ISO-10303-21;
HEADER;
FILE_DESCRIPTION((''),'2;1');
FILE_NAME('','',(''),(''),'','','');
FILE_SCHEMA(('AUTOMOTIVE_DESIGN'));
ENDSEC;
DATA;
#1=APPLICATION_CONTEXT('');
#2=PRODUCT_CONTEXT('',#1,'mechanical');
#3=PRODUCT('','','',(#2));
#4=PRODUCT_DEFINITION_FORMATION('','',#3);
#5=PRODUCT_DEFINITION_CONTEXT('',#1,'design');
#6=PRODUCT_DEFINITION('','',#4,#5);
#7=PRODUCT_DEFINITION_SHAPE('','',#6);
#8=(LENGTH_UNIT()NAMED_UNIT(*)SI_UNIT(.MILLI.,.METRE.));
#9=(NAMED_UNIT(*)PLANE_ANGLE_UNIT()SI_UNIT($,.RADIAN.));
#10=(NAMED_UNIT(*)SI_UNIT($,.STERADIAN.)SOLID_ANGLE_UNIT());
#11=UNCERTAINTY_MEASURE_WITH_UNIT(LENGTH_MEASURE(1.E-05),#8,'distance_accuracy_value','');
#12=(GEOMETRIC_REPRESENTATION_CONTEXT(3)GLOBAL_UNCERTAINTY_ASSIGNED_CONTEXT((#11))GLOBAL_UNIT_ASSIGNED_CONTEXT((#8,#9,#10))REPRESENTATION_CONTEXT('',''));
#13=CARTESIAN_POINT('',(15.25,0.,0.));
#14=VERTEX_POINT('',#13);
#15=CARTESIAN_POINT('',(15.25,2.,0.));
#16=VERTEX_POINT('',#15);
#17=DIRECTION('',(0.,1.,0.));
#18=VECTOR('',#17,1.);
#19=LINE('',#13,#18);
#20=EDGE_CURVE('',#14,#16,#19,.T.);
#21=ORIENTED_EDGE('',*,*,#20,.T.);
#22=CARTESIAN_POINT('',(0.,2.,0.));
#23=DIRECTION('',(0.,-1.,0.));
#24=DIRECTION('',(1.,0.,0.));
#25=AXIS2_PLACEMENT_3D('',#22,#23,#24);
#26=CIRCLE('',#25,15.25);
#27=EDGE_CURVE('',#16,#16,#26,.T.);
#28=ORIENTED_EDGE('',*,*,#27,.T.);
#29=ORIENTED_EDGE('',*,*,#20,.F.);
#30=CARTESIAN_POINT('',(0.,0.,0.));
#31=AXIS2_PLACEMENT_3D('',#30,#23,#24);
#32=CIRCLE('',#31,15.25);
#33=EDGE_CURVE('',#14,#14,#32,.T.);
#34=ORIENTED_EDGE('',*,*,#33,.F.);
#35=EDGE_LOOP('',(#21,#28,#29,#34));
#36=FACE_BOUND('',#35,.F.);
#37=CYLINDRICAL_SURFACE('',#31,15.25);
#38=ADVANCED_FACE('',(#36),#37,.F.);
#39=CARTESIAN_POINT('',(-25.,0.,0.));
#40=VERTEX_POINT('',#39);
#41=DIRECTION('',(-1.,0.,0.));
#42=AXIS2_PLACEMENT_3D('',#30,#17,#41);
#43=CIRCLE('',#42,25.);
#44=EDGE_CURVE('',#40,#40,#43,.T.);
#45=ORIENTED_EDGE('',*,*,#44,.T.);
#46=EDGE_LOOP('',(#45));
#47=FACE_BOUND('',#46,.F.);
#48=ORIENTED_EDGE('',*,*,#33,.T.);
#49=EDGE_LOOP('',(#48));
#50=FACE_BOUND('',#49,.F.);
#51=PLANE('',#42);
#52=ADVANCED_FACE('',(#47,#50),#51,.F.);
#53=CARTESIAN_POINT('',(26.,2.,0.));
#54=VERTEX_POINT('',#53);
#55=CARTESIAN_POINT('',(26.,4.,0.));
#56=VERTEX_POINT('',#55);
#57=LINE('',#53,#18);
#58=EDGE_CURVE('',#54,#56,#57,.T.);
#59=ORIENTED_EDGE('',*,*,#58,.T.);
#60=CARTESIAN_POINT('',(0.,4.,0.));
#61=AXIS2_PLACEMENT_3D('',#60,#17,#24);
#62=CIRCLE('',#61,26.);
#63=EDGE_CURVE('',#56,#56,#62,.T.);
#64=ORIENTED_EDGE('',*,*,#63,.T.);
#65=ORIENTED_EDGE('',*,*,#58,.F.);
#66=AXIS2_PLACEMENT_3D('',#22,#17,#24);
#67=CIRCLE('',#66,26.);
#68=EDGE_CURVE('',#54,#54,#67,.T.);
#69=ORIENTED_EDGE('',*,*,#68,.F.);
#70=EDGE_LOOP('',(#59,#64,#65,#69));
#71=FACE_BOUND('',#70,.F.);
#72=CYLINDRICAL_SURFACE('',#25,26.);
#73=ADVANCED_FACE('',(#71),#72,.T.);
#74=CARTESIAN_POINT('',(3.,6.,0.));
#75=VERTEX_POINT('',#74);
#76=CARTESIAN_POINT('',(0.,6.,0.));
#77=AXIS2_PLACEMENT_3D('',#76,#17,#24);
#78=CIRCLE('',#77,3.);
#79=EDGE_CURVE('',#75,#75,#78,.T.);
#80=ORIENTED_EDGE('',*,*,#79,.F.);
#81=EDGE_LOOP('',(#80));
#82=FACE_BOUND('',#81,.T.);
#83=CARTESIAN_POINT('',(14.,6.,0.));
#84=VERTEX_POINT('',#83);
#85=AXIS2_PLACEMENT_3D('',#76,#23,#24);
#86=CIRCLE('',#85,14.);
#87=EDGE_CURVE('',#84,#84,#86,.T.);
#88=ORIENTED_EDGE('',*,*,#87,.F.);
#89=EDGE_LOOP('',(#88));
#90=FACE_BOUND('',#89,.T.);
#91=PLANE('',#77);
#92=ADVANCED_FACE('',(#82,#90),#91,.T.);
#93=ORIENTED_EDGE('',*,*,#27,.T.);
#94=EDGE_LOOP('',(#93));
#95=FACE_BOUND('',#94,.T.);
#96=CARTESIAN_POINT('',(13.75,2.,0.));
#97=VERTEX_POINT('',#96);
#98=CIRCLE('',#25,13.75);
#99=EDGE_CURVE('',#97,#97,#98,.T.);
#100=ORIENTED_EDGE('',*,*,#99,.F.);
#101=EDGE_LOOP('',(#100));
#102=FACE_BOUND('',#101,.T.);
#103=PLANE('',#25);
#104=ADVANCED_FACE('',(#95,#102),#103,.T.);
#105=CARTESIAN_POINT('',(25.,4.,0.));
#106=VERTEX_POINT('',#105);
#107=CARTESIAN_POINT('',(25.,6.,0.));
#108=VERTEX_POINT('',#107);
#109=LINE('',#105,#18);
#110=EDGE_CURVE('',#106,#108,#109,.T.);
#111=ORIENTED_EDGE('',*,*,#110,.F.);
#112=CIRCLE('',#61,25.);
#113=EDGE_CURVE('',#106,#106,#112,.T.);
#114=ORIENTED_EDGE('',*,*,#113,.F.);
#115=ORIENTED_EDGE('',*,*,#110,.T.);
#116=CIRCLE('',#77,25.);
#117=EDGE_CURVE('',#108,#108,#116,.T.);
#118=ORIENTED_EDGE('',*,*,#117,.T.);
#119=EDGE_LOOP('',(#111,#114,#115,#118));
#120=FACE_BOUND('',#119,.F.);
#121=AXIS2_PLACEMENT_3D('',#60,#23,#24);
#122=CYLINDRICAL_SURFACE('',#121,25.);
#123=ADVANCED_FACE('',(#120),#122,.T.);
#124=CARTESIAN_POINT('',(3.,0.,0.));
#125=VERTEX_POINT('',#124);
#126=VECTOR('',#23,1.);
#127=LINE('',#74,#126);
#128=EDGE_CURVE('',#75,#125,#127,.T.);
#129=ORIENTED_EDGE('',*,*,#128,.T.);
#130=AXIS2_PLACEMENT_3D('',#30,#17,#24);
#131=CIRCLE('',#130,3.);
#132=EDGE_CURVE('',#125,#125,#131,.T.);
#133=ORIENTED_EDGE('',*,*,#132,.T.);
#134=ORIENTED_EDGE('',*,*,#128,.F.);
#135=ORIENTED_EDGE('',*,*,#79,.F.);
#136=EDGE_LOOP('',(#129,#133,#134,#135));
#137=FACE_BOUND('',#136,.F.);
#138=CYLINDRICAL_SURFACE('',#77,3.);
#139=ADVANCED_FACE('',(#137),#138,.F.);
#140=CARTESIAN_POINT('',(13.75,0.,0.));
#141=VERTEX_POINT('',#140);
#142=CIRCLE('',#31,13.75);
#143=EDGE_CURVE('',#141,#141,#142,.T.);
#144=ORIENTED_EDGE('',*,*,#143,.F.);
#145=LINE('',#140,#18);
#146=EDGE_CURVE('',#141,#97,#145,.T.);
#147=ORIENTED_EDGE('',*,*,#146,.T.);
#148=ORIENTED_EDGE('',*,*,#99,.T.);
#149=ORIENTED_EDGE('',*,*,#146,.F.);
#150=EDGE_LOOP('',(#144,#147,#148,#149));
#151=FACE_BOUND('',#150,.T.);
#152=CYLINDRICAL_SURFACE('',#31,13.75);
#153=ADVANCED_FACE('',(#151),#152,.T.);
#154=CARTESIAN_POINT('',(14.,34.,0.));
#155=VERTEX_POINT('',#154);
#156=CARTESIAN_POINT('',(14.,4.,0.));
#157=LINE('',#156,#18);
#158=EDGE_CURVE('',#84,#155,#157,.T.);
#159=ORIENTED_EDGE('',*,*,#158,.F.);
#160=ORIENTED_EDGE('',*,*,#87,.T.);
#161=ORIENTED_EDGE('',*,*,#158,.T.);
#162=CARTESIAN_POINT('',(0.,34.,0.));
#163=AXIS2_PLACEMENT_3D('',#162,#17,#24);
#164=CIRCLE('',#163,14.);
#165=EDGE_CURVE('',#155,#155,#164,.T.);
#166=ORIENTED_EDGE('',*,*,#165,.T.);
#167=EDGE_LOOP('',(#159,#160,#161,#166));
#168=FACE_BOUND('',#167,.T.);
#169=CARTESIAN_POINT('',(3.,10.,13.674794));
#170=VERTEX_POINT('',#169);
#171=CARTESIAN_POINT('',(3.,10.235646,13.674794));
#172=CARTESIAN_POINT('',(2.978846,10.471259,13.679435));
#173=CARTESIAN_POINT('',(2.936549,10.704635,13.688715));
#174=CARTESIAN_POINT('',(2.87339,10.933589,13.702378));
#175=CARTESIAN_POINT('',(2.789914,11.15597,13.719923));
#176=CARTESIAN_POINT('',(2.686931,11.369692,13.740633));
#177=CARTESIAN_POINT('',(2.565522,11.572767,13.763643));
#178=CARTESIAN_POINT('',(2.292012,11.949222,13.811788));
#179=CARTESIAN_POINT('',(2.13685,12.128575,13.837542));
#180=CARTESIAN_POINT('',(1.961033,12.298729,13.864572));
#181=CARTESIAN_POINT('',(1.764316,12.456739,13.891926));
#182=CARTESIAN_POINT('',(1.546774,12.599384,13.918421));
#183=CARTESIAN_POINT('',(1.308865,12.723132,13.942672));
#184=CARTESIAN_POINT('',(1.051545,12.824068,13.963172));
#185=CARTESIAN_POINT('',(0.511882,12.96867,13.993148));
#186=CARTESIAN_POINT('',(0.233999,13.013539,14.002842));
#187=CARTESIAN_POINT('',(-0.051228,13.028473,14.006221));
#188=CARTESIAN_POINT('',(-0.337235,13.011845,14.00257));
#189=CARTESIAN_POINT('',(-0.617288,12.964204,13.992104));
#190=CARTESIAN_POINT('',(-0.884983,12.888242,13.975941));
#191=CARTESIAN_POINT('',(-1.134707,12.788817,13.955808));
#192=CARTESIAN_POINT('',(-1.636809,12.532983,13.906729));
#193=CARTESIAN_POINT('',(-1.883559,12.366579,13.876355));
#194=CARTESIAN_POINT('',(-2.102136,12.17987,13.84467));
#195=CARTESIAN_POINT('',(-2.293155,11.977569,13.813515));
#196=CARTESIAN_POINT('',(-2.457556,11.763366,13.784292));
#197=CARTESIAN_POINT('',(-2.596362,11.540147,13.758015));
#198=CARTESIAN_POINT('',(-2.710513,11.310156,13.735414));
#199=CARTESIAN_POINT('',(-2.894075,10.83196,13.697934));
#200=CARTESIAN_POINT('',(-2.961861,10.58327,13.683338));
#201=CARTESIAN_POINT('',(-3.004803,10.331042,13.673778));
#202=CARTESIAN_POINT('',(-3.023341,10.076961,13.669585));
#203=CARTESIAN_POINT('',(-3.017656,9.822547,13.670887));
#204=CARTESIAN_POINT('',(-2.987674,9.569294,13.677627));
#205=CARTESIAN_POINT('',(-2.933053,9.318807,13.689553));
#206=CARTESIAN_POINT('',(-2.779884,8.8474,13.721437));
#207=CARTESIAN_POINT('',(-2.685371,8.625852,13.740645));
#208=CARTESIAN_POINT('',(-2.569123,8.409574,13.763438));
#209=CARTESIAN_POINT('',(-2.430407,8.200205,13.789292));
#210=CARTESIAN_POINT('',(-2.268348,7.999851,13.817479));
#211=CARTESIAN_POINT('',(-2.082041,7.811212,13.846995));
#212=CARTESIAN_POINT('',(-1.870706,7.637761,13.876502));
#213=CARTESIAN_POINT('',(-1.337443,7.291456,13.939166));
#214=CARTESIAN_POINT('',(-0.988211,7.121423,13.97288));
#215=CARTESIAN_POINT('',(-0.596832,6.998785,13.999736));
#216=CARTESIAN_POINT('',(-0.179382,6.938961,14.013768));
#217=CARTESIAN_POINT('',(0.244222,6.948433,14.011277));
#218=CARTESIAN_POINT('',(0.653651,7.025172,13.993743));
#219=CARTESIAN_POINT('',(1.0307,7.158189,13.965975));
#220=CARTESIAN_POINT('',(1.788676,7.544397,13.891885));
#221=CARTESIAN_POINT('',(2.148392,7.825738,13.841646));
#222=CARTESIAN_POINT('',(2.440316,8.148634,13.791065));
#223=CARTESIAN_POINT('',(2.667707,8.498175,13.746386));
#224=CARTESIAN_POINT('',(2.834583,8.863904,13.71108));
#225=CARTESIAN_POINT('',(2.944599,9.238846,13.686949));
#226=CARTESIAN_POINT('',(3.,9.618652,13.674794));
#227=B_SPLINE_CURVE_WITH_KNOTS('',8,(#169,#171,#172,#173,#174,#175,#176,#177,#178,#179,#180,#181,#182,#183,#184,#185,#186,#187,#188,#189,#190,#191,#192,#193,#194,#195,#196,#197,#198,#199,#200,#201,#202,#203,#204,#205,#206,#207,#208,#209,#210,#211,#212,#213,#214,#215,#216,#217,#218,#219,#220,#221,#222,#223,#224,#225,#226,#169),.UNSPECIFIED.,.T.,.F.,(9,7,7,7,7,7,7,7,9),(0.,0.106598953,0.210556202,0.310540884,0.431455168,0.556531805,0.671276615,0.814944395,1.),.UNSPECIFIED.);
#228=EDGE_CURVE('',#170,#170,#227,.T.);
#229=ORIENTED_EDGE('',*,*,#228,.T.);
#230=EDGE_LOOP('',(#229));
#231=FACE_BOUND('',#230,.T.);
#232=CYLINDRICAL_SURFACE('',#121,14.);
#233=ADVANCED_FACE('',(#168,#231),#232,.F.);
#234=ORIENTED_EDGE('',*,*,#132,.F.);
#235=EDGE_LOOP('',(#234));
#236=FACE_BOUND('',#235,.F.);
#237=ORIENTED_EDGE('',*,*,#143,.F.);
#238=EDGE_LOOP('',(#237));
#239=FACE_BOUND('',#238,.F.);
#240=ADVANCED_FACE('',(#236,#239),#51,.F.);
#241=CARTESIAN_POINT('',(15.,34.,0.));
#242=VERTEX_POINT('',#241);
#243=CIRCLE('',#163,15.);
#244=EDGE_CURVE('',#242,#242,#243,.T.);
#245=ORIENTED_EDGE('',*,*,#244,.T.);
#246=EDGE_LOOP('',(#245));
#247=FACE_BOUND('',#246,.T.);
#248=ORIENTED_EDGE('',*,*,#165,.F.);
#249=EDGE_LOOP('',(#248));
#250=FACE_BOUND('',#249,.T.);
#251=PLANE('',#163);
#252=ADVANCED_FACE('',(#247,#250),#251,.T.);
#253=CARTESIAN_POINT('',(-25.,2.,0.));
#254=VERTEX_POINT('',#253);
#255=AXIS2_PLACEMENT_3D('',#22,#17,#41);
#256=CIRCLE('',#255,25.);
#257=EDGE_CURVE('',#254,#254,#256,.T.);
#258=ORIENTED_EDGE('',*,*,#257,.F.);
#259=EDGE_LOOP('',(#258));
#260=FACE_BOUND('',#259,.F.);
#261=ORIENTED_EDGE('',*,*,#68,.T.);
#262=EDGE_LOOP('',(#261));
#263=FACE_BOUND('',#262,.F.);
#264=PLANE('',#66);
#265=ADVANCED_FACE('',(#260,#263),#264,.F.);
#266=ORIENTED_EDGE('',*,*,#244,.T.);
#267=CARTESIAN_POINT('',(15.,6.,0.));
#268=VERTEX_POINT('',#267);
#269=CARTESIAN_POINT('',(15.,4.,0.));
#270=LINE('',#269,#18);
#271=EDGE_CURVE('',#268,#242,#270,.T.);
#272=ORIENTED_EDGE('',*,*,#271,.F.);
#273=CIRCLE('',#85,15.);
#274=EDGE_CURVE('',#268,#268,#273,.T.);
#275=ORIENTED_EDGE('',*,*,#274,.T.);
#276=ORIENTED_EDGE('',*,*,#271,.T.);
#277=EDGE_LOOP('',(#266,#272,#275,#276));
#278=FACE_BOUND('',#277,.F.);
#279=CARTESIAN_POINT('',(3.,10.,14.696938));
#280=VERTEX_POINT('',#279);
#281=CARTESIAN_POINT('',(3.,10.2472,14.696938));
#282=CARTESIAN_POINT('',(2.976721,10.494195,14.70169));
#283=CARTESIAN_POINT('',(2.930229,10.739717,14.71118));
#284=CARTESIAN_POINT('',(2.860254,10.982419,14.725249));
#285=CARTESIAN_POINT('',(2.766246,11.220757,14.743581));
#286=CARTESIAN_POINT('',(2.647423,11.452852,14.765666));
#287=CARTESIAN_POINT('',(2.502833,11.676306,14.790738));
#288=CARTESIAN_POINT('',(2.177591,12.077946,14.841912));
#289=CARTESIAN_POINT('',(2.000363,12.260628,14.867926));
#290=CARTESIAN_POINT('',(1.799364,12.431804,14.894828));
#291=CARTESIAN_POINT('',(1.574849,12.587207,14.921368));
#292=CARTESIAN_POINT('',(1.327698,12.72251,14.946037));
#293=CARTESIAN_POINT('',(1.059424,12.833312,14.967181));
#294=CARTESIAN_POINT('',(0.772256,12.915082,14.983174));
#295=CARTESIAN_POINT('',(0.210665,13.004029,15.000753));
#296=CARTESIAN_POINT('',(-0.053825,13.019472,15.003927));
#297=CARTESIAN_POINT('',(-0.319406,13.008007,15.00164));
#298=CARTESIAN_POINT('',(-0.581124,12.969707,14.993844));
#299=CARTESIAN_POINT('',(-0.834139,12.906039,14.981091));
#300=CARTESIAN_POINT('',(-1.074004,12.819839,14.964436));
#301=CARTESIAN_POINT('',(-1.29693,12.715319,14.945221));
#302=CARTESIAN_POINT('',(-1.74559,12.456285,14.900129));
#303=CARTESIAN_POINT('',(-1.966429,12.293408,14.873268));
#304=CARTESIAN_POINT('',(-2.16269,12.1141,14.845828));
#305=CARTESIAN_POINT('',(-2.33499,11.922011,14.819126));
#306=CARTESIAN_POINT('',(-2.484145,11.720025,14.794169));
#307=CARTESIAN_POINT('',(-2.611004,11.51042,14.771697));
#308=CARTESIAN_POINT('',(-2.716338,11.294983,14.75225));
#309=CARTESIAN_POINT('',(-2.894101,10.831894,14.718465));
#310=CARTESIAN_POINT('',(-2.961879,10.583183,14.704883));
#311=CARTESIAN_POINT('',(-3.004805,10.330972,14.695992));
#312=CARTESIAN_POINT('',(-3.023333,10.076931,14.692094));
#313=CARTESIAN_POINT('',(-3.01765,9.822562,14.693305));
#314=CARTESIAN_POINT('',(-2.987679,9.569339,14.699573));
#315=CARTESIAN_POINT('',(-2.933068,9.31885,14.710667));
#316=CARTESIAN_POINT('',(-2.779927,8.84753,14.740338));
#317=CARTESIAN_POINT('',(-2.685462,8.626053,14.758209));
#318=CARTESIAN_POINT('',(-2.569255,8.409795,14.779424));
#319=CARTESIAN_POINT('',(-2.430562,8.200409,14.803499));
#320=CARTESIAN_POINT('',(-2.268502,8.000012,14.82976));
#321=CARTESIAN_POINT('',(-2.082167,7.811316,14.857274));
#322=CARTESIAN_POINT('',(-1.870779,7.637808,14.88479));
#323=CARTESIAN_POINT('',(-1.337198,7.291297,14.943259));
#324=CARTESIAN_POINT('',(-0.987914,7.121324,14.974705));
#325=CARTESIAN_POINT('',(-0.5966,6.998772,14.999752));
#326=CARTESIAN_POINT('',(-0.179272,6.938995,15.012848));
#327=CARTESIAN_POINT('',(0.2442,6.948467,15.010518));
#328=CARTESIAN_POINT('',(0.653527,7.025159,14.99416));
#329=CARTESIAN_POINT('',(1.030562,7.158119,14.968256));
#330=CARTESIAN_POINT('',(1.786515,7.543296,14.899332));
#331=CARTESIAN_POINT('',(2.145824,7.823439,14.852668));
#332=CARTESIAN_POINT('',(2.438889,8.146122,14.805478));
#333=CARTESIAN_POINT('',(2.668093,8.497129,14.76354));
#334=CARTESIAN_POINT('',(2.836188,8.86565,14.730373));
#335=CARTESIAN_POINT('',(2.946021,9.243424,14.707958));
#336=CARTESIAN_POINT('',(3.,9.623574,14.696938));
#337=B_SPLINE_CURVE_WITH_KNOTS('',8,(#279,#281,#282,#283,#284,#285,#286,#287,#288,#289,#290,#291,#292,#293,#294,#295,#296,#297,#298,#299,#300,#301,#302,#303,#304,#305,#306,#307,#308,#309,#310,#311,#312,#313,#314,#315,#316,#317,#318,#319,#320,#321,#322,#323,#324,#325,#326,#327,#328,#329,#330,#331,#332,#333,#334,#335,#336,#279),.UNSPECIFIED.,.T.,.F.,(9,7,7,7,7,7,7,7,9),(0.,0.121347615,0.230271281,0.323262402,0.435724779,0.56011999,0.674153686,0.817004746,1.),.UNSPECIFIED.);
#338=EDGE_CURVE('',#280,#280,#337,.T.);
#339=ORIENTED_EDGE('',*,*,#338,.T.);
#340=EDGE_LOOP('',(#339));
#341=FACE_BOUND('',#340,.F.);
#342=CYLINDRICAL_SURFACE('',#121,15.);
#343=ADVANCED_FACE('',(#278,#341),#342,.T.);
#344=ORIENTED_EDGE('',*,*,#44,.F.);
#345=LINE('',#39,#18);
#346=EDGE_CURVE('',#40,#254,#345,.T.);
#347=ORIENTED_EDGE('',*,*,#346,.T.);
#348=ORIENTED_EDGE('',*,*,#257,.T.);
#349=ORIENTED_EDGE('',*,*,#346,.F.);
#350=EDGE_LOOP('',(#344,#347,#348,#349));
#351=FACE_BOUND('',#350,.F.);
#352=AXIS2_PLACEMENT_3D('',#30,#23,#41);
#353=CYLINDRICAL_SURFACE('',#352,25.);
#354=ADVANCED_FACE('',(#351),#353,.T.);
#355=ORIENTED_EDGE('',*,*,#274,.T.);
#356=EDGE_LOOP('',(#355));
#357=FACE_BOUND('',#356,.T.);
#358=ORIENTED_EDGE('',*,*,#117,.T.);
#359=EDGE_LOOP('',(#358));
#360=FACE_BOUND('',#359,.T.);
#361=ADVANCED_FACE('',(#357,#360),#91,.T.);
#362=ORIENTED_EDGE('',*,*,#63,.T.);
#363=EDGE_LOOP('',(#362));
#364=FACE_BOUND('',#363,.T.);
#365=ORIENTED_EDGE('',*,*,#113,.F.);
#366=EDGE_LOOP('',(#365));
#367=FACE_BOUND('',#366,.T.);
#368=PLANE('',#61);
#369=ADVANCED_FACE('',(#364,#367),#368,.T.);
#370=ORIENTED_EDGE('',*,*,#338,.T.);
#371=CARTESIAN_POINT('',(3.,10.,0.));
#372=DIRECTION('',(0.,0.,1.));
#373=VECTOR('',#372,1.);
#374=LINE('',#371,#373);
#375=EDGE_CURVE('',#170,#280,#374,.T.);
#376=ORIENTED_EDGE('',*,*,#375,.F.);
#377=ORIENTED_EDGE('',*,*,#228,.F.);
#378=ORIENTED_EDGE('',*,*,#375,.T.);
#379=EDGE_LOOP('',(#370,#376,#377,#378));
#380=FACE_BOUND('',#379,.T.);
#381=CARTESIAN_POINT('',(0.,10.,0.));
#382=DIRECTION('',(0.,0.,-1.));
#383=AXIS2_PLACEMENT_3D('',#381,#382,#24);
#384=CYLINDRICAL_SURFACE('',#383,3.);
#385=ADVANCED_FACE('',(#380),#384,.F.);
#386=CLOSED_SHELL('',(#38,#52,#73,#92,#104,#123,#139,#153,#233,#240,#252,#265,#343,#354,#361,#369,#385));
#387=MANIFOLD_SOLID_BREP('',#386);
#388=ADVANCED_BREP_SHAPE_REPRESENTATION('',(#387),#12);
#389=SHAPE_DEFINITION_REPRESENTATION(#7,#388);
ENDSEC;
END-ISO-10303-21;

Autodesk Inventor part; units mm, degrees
ref_plane "YZ Plane" through (0, 0, 0) normal (1, 0, 0) x (0, 1, 0)
ref_plane "XZ Plane" through (0, 0, 0) normal (0, 1, 0) x (-1, 0, 0)
ref_plane "XY Plane" through (0, 0, 0) normal (0, 0, 1) x (1, 0, 0)
sketch "Sketch1" plane through (0, 0, 0) normal (0, 1, 0) x (-1, 0, 0)
  circle A0 centre (0, 0) radius 25
  dimension "d0" = 50
extrude "Extrusion1" add sketch "Sketch1" along normal blind 2
sketch "Sketch2" plane through (0, 2, 0) normal (0, 1, 0) x (1, 0, 0)
  circle A0 centre (0, 0) radius 26
  dimension "d3" = 52
extrude "Extrusion2" add sketch "Sketch2" along normal blind 2
sketch "Sketch6" plane through (0, 4, 0) normal (0, 1, 0) x (1, 0, 0)
  circle A0 centre (0, 0) radius 25
  dimension "d17" = 50
extrude "Extrusion6" add sketch "Sketch6" along normal blind 2
sketch "Sketch3" plane through (0, 4, 0) normal (0, 1, 0) x (1, 0, 0)
  circle A0 centre (0, 0) radius 15
  circle A1 centre (0, 0) radius 14
  dimension "d6" = 30
  dimension "d7" = 28
extrude "Extrusion3" add sketch "Sketch3" along normal blind 30
sketch "Sketch5" plane through (0, 0, 0) normal (0, 0, 1) x (1, 0, 0)
  circle A0 centre (0, 10) radius 3
  line L0 (26, 4) -> (-26, 4) projected
  point P0 (0, 0)
  dimension "d13" = 6
  dimension "d14" = 6
extrude "Extrusion5" cut sketch "Sketch5" along normal blind 30
sketch "Sketch7" plane through (0, 6, 0) normal (0, 1, 0) x (1, 0, 0)
  circle A0 centre (0, 0) radius 3
  dimension "d20" = 6
extrude "Extrusion7" cut sketch "Sketch7" against normal through all
sketch "Sketch8" plane through (0, 0, 0) normal (0, -1, 0) x (1, 0, 0)
  circle A0 centre (0, 0) radius 3 projected
  circle A1 centre (0, 0) radius 13.75
  circle A2 centre (0, 0) radius 15.25
  dimension "d23" = 27.5
  dimension "d24" = 30.5
extrude "Extrusion8" cut sketch "Sketch8" against normal blind 2 contours A2
properties part number "Stack-lens holder"
